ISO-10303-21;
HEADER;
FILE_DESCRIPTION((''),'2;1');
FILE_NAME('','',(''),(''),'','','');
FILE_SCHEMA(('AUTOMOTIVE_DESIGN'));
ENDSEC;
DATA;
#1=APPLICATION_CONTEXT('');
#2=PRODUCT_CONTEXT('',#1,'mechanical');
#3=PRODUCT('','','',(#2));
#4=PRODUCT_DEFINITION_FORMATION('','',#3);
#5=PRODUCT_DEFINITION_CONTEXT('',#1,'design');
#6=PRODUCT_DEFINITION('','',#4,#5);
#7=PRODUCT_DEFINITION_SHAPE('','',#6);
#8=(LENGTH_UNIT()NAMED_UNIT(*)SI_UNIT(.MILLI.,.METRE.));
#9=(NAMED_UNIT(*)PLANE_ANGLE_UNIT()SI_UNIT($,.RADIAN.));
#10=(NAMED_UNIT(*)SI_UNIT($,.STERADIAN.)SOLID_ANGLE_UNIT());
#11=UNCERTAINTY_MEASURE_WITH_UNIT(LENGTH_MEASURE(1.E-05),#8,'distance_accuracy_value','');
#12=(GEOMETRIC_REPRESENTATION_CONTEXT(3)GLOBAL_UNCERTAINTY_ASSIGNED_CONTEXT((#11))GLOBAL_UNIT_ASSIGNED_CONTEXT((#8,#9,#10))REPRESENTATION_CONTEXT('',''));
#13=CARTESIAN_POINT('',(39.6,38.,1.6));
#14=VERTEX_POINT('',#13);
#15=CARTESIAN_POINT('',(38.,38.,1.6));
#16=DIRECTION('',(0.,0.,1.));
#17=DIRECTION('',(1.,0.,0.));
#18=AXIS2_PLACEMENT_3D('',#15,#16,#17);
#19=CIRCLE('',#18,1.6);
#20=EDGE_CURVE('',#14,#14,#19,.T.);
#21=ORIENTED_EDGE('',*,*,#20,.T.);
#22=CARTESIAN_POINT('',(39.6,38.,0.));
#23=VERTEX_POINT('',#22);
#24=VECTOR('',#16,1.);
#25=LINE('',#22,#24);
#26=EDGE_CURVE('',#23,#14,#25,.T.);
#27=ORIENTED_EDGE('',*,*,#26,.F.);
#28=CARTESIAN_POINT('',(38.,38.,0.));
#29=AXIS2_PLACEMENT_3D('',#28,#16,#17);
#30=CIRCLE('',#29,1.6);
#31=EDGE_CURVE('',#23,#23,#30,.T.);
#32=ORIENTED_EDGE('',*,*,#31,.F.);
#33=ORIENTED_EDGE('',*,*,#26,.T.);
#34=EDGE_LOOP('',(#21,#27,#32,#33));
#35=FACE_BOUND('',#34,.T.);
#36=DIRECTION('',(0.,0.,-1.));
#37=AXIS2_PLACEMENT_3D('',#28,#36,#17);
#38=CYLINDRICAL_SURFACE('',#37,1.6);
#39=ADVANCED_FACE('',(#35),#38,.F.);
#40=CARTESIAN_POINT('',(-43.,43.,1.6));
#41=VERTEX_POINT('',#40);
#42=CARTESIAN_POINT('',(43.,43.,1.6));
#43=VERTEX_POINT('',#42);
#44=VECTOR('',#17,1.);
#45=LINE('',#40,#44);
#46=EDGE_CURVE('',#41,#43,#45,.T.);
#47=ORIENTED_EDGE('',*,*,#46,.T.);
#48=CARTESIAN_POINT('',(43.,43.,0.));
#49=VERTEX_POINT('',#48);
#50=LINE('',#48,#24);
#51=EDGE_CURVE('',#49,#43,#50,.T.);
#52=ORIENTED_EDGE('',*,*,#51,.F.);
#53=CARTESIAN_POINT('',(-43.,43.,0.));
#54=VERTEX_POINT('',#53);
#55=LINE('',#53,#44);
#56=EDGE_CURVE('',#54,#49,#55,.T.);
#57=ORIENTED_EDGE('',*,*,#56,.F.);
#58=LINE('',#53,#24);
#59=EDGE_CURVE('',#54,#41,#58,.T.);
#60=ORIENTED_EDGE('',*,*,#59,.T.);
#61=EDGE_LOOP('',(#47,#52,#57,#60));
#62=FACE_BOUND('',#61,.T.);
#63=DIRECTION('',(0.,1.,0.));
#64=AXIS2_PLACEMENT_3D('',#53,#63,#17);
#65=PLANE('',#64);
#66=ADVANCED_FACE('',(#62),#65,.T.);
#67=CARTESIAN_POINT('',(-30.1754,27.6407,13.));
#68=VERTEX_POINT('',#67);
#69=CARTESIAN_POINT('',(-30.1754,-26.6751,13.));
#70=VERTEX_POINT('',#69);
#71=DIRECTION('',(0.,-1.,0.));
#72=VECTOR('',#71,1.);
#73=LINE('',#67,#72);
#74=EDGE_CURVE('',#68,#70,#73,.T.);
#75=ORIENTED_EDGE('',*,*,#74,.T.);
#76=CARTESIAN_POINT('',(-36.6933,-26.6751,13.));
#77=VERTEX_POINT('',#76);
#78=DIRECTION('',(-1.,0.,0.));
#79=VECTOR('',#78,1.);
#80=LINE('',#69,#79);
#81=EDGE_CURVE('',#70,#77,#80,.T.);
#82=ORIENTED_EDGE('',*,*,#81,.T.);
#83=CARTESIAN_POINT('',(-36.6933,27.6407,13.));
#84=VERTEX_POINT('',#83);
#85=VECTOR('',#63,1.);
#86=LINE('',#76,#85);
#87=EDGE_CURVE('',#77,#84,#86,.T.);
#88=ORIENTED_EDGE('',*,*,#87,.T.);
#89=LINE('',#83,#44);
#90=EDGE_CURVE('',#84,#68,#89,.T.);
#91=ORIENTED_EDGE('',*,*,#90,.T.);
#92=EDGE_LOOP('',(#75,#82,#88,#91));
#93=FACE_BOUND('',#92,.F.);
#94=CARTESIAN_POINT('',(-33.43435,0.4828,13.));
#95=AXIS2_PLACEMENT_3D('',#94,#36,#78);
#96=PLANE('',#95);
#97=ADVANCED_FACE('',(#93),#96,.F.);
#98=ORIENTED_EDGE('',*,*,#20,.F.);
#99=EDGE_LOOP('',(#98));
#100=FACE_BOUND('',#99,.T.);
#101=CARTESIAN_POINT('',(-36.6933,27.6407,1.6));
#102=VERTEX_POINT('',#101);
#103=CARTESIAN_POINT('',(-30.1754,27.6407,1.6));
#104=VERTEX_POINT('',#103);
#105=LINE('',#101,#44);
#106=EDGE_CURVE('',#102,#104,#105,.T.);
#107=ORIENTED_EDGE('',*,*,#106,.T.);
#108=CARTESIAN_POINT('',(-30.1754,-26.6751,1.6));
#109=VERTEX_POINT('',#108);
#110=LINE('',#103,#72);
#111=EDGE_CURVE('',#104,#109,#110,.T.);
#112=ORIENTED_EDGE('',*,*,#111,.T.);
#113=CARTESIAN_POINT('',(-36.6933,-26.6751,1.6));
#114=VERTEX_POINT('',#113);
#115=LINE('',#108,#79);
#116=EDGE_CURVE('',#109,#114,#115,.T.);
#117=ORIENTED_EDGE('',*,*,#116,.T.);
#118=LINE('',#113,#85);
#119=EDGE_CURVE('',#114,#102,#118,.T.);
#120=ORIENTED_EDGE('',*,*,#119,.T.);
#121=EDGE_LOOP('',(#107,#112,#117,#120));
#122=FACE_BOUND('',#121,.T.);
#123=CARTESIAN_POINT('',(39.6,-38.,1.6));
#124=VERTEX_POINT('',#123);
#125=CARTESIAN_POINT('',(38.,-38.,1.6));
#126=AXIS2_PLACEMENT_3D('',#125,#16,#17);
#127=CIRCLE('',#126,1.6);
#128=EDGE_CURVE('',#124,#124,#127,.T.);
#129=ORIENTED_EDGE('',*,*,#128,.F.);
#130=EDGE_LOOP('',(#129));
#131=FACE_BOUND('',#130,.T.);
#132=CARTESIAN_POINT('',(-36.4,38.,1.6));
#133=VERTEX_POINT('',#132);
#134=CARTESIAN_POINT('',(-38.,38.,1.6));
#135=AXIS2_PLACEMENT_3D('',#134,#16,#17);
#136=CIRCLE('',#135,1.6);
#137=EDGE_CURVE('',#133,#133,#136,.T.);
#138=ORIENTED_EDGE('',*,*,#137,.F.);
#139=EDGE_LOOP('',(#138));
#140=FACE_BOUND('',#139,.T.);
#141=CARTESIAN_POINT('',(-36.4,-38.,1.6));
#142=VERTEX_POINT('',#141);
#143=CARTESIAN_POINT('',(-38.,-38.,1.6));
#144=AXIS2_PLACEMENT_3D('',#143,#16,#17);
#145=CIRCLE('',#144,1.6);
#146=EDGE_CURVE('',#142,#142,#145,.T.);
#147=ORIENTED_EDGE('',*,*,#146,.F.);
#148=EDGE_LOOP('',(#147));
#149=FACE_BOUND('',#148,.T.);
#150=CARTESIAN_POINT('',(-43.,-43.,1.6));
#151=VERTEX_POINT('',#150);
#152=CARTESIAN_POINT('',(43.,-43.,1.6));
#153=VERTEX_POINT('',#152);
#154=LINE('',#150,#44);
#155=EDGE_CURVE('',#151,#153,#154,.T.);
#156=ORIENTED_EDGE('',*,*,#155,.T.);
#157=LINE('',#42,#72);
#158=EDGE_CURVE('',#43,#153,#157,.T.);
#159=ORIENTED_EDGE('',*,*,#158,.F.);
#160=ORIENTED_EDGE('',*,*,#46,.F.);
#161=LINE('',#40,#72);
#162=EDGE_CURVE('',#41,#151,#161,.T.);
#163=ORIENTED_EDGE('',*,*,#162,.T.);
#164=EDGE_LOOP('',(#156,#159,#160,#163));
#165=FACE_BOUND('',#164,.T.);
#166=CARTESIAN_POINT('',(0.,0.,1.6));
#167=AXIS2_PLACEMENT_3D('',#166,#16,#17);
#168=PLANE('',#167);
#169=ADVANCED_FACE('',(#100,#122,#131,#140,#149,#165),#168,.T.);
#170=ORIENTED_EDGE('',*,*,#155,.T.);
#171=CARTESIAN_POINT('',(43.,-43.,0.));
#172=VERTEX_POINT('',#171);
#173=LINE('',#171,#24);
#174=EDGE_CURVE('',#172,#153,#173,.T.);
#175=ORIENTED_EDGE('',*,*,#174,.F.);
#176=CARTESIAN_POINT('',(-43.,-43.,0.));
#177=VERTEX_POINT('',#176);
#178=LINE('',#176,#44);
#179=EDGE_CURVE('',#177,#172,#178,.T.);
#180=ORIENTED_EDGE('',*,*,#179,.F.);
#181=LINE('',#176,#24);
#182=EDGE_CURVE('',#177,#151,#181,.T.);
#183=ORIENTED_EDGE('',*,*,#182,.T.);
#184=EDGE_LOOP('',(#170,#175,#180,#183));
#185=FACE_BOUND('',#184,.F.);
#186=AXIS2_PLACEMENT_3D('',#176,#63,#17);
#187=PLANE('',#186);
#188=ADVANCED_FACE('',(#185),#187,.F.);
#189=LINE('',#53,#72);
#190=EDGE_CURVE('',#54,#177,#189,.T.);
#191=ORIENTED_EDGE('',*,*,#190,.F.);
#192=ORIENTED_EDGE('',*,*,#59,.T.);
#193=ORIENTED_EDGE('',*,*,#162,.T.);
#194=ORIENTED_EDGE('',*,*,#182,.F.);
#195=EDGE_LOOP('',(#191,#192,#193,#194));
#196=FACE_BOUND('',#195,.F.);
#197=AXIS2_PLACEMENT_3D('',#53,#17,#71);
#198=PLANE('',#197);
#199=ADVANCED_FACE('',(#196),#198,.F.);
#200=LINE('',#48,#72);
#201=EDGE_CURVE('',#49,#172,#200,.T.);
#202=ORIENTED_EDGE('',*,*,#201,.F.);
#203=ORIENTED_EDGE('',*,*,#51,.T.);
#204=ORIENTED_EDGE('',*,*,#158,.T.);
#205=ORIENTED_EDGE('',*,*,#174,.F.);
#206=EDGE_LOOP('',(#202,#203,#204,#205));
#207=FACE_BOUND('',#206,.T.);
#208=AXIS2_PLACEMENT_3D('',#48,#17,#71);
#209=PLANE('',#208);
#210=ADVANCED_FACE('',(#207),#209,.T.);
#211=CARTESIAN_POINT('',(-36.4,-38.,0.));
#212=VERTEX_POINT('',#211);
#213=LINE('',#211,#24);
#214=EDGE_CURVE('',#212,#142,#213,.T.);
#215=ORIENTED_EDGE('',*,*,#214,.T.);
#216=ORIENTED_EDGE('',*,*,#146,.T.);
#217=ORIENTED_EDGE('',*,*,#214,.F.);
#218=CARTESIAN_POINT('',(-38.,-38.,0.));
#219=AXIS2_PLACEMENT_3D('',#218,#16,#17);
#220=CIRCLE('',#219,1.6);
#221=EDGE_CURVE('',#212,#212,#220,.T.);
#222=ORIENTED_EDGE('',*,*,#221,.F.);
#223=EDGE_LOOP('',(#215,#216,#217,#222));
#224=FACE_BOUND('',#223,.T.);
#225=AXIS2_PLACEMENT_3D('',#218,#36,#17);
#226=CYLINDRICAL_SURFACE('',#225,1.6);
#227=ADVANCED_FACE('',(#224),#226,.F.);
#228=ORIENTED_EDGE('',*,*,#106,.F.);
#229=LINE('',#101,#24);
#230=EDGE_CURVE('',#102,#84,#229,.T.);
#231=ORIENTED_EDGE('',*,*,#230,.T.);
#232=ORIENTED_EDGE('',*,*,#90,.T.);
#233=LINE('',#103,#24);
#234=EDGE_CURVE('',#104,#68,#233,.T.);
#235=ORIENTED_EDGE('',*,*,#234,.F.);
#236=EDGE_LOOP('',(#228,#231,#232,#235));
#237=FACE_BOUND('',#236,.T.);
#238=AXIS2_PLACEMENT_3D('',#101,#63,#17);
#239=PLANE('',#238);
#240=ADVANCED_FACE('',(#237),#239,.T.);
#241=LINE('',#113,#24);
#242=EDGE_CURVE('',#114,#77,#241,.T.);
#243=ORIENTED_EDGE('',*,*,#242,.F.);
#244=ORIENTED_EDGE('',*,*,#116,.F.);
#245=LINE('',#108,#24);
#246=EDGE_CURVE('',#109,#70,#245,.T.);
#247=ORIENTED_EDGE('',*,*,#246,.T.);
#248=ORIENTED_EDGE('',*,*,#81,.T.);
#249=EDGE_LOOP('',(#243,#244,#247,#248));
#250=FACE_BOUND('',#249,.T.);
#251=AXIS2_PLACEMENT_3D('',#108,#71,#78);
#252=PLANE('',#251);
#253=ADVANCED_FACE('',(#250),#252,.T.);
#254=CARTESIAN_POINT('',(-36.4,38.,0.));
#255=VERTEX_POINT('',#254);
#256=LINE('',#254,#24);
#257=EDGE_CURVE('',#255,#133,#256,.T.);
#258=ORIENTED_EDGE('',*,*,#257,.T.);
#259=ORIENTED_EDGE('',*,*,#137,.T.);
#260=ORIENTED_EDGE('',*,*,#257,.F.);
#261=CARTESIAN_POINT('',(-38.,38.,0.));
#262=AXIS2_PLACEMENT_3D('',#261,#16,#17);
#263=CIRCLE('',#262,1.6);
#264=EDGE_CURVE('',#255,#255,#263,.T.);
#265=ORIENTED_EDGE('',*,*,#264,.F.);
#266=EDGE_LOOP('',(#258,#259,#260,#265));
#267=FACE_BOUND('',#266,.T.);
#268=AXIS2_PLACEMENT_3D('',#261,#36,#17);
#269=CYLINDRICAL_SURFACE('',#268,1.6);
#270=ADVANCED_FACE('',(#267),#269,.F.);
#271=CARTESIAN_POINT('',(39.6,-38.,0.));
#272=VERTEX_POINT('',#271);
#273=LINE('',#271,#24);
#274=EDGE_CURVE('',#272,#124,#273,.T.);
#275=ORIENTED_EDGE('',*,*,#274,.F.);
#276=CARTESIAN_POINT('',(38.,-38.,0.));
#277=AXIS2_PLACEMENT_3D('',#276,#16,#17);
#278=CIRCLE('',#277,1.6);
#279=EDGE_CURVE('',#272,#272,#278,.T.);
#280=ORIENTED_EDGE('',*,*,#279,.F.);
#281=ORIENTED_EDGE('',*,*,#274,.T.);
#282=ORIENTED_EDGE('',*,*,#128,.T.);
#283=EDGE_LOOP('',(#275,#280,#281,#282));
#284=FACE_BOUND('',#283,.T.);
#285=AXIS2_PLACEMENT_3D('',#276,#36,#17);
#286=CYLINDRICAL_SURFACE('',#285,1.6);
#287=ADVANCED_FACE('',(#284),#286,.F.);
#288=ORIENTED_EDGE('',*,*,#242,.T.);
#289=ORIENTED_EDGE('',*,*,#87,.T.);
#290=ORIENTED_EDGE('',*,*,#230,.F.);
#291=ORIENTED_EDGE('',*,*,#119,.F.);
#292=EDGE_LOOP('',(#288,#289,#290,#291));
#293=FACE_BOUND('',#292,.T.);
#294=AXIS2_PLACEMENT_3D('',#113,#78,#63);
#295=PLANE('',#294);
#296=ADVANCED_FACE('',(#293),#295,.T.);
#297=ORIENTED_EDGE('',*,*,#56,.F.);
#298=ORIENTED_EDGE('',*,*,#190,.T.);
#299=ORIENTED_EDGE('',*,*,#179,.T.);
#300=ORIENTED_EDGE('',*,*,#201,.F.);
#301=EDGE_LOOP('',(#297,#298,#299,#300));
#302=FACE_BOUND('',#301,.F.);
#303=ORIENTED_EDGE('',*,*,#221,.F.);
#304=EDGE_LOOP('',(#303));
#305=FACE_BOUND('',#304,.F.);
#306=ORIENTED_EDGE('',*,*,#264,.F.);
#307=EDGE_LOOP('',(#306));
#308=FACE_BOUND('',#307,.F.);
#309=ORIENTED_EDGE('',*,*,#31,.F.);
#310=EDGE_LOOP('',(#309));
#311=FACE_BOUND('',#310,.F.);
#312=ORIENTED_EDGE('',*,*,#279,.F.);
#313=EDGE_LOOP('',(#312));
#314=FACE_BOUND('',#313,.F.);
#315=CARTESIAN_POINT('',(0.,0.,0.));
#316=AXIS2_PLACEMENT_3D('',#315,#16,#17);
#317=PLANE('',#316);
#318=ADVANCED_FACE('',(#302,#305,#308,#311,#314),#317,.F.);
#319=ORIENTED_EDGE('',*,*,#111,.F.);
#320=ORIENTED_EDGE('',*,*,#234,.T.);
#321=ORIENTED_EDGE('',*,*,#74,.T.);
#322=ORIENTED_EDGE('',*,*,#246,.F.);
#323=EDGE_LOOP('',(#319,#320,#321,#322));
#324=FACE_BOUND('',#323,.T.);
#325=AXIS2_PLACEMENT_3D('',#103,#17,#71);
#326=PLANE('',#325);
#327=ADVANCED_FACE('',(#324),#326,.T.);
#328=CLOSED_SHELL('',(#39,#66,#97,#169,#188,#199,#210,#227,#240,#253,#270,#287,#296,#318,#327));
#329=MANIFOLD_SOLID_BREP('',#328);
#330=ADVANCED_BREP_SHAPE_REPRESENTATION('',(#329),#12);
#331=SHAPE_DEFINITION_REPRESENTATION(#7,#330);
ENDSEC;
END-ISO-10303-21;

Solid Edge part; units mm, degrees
sketch "Sketch1" plane through (0, 0, 0) normal (0, 0, 1) x (1, 0, 0)
  line L0 (-43, -43) -> (43, -43)
  line L1 (43, 43) -> (43, -43)
  line L2 (-43, 43) -> (43, 43)
  line L3 (-43, 43) -> (-43, -43)
  circle A0 centre (38, 38) radius 1.6
  circle A1 centre (-38, 38) radius 1.6
  circle A2 centre (-38, -38) radius 1.6
  circle A3 centre (38, -38) radius 1.6
  dimension "D1" = 3.2
  dimension "D2" = 86
extrude "Protrusion1" add sketch "Sketch1" along normal blind 1.6
sketch "Sketch2" plane through (0, 0, 1.6) normal (0, 0, 1) x (1, 0, 0)
  line L0 (-36.6933, 27.6407) -> (-30.1754, 27.6407)
  line L1 (-30.1754, 27.6407) -> (-30.1754, -26.6751)
  line L2 (-30.1754, -26.6751) -> (-36.6933, -26.6751)
  line L3 (-36.6933, -26.6751) -> (-36.6933, 27.6407)
  dimension "D1" = 6.5179
  dimension "D2" = 54.3158
extrude "ExtrudedProtrusion_2" add sketch "Sketch2" along normal blind 11.4
